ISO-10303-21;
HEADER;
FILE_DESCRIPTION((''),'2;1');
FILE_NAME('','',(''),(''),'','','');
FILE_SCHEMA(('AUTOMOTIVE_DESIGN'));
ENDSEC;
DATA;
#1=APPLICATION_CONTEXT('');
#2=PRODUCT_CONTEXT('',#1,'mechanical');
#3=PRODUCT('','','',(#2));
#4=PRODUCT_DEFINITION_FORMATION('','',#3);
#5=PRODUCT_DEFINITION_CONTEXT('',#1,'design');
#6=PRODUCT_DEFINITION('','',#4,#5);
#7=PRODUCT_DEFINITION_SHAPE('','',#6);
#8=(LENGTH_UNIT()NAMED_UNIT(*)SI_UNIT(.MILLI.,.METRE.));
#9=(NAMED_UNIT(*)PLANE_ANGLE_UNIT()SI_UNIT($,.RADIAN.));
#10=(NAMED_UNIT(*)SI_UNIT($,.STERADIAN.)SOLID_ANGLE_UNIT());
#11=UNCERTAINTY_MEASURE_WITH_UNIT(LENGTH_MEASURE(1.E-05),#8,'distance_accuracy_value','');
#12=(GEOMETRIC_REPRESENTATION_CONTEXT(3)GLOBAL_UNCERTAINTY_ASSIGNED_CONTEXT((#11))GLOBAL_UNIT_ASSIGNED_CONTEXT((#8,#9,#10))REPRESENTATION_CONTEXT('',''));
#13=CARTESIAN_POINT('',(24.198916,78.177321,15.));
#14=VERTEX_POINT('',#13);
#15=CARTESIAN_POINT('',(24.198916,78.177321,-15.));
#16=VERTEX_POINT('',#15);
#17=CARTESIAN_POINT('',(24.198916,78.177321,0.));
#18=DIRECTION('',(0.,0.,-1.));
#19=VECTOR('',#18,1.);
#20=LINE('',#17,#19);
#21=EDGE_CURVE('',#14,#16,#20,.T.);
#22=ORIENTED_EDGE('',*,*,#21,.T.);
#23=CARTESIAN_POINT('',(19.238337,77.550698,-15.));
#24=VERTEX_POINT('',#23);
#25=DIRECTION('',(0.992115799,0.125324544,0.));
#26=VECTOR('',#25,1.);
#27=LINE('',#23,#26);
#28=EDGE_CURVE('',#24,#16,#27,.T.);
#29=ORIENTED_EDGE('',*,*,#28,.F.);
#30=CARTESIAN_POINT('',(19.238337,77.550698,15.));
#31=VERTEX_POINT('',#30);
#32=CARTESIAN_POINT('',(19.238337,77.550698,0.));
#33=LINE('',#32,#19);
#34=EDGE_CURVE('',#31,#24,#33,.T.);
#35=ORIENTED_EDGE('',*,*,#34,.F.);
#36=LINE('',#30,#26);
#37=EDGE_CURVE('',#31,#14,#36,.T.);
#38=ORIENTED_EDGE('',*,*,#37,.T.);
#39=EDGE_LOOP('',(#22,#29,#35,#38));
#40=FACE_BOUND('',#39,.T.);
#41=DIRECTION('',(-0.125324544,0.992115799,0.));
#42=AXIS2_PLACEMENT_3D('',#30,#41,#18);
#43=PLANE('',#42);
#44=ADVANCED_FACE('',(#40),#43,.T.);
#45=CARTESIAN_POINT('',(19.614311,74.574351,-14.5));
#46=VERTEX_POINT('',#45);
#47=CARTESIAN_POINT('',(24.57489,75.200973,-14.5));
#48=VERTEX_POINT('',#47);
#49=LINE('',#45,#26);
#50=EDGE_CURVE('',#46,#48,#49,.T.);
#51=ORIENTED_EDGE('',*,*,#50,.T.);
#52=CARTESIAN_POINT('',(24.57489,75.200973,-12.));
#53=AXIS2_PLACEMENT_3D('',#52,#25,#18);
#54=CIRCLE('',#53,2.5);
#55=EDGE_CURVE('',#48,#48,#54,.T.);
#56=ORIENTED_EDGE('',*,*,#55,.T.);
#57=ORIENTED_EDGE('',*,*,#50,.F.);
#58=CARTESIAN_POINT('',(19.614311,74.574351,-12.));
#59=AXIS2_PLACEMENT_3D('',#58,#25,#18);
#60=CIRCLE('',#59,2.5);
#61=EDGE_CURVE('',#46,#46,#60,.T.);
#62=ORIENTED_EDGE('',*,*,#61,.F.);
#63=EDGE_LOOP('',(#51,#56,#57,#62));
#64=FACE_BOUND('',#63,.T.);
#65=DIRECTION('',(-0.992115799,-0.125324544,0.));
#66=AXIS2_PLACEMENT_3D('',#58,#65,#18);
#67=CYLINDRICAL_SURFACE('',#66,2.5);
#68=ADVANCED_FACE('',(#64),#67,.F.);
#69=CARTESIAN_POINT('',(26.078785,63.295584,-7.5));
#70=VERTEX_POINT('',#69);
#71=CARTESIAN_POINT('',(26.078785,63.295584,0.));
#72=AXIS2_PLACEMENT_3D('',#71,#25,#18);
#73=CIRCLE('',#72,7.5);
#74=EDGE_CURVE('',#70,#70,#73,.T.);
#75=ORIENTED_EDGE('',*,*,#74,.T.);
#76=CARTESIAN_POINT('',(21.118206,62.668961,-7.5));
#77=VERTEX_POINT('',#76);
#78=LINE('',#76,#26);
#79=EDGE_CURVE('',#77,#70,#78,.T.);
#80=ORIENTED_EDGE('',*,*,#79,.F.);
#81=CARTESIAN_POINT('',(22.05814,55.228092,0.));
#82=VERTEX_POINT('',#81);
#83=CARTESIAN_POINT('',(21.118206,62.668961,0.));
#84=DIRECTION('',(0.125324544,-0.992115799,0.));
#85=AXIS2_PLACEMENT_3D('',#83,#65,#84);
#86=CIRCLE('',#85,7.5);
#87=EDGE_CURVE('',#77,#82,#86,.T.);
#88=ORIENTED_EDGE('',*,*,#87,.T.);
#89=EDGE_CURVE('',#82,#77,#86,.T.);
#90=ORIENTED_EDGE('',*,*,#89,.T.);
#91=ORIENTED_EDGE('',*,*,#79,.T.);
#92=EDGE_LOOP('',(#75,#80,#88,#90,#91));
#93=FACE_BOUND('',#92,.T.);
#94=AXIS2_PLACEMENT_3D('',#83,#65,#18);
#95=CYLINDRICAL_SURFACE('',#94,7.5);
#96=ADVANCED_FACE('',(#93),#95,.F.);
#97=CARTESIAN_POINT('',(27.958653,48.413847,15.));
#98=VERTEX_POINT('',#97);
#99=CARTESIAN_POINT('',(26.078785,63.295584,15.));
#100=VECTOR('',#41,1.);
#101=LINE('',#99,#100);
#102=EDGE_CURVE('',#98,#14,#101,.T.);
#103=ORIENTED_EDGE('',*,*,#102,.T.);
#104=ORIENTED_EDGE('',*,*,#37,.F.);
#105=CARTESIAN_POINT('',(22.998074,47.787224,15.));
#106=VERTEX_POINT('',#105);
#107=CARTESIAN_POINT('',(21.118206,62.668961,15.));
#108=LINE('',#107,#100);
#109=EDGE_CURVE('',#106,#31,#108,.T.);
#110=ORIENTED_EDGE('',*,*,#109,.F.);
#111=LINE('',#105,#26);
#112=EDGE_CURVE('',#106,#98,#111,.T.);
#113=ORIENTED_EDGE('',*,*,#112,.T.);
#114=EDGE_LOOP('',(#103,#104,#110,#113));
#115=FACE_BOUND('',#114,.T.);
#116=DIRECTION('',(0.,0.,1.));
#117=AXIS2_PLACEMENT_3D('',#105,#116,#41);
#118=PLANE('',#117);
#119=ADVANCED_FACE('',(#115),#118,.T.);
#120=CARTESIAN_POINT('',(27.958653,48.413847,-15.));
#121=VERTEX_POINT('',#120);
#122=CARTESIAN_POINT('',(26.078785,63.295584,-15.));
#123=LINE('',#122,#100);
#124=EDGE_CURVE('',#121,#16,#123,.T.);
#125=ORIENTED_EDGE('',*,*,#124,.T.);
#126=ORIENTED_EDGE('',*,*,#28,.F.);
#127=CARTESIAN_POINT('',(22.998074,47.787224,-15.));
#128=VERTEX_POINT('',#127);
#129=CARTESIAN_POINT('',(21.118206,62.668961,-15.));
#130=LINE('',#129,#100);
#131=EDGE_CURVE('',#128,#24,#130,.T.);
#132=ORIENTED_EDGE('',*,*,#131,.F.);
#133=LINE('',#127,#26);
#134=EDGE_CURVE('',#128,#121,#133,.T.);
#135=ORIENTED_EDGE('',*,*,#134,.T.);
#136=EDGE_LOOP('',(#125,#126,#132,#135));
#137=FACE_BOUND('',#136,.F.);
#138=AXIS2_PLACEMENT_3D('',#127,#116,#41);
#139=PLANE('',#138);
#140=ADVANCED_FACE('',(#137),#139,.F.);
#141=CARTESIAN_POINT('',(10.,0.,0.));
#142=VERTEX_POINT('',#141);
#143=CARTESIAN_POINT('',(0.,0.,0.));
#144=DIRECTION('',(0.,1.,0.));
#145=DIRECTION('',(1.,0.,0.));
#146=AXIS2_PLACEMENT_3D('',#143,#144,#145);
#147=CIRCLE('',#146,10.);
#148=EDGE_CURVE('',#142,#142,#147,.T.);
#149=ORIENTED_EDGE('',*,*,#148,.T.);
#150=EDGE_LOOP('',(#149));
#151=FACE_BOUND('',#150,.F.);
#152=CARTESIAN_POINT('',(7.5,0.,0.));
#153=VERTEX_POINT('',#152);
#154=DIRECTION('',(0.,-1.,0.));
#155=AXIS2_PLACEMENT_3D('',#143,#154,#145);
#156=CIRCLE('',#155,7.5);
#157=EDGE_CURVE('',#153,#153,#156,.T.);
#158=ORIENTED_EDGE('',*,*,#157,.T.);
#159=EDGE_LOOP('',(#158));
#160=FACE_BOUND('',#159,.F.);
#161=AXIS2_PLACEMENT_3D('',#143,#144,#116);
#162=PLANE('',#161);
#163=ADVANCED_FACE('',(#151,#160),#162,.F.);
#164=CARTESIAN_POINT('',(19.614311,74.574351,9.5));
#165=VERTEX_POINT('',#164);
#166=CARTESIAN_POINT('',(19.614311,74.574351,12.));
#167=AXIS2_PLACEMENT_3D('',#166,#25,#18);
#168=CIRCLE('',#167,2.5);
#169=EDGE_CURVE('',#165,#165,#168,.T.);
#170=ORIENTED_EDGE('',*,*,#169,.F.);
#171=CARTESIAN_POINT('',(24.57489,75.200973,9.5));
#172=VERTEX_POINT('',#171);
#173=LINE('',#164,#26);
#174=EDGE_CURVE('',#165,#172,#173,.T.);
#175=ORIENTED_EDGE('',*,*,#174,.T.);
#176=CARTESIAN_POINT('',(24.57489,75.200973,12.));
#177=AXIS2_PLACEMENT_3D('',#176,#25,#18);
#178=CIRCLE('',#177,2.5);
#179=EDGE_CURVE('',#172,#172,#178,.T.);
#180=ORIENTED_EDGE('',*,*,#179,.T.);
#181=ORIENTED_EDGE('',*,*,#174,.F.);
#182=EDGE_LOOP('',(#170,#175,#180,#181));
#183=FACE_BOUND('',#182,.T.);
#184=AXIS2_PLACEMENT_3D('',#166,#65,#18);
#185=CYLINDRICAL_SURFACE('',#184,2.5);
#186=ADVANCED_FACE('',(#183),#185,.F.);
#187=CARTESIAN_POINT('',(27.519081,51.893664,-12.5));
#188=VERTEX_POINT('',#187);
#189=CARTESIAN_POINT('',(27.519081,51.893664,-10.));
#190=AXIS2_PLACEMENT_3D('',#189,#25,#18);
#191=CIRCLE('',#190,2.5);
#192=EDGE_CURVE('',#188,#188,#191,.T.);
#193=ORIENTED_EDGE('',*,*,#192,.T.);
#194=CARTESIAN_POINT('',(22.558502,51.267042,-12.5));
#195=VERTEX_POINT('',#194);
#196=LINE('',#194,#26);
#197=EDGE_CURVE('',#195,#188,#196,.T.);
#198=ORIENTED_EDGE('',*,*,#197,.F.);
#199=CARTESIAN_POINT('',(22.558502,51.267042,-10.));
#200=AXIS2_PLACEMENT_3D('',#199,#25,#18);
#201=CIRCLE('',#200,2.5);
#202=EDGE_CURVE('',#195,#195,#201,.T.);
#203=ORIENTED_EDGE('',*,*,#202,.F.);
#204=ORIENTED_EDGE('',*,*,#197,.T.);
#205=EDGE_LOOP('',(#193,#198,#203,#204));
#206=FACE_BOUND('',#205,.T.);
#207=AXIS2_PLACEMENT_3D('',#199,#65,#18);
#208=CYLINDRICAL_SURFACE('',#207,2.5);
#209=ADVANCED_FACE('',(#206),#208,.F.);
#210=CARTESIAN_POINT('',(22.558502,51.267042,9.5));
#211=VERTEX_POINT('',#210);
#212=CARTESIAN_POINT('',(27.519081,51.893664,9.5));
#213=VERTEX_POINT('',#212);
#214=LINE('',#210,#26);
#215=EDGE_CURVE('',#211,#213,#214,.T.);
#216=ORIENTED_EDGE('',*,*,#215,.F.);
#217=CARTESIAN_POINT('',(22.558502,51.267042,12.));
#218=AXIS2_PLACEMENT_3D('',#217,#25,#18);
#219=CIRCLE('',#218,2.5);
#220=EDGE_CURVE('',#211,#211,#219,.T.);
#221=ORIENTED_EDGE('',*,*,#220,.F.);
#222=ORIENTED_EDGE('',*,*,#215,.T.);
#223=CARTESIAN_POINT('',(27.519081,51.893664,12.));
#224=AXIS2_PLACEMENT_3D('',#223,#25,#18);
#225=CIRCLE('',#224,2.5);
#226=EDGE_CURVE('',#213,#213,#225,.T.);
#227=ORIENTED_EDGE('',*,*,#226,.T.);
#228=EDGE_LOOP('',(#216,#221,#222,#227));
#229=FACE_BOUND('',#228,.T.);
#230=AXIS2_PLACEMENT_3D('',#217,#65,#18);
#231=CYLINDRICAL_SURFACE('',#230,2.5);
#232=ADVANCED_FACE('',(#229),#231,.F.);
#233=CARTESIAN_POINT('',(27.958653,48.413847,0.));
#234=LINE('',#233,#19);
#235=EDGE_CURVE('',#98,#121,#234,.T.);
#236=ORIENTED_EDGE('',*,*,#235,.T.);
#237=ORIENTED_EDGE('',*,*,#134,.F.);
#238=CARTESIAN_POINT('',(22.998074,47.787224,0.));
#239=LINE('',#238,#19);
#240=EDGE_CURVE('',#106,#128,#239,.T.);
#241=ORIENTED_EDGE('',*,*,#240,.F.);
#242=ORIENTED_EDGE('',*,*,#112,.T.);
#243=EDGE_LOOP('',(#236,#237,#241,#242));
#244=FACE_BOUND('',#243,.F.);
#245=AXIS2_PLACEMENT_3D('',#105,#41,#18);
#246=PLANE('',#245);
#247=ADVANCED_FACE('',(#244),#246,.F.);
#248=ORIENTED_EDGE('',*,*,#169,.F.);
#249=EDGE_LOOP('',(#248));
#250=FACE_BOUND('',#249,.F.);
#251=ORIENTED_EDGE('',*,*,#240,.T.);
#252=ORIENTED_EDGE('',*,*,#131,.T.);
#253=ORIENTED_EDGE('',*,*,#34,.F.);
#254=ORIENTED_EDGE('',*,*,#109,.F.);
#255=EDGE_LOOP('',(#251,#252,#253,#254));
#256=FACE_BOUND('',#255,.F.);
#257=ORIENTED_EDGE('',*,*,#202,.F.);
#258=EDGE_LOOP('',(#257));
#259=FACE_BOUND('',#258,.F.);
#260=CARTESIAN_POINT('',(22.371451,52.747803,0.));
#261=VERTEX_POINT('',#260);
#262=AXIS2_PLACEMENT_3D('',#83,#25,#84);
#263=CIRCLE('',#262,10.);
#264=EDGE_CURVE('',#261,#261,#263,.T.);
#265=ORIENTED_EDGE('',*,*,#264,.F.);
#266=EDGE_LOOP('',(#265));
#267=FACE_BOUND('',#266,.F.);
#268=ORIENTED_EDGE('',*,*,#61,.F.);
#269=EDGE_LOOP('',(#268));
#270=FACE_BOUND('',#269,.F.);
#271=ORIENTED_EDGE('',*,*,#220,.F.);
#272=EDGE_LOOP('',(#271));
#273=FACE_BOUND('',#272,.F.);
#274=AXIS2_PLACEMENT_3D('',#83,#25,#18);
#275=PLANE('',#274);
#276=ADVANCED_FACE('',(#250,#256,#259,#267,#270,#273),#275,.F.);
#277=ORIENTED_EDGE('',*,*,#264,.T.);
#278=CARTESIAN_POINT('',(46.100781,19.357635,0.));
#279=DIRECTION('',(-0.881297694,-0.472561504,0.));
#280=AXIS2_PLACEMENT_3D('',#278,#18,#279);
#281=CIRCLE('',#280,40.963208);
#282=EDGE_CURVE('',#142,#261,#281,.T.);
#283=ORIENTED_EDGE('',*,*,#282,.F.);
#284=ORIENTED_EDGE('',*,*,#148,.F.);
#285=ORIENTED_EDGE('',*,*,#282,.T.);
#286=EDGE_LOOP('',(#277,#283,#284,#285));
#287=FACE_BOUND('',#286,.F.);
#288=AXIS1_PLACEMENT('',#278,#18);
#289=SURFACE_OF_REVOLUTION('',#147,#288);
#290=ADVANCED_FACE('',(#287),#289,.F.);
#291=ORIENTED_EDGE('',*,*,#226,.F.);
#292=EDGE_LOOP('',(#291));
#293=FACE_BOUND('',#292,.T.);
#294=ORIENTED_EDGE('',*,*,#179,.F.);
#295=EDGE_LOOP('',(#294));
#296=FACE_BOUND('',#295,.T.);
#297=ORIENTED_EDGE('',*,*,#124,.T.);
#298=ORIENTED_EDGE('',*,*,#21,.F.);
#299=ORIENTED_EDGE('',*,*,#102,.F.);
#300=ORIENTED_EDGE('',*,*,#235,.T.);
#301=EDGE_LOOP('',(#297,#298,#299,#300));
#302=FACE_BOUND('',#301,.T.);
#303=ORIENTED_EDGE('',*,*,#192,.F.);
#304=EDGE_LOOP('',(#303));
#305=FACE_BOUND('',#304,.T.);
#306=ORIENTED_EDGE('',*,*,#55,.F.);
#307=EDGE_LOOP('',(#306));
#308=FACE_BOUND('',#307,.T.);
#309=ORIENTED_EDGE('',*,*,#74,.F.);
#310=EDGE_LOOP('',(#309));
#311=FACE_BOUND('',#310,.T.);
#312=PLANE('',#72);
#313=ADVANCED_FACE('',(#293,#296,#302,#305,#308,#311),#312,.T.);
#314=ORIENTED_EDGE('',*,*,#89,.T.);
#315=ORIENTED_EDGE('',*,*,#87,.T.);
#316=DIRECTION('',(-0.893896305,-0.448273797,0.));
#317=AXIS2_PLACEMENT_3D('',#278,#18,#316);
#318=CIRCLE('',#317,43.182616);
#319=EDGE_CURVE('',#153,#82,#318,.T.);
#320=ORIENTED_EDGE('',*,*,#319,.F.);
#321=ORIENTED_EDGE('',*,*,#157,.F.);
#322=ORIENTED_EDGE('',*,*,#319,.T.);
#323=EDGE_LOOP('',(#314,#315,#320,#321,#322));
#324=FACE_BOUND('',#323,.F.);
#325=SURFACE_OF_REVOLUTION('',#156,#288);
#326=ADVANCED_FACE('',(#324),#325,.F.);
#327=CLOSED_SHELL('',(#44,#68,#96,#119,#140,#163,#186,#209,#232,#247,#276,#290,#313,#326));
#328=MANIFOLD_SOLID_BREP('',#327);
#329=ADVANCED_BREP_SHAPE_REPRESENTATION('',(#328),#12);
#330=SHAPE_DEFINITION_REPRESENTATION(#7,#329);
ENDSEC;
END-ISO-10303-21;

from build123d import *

# Parameters (mm, degrees)
SKETCH1_R           = 10
SKETCH1_R_2         = 7.5
SKETCH4_W           = 30
SKETCH4_H           = 30
SKETCH4_R           = 2.5
SKETCH4_R_2         = 7.5
BOSS_EXTRUDE3_DEPTH = 5


with BuildPart() as part:
    # Sweep3: sweep along a path in Sketch2
    with BuildLine(Plane.XY) as sweep3_path:
        ThreePointArc((0, 0), (-1.281289086, 35.324459387), (21.11820567, 62.668960981))
    # Sketch1 → Sweep3 (sweep)
    with BuildSketch(Plane(origin=(0, 0, 0), x_dir=(1, 0, 0), z_dir=(0, 1, 0))):
        Circle(SKETCH1_R)
        Circle(SKETCH1_R_2, mode=Mode.SUBTRACT)
    sweep(path=sweep3_path.line)

    # Sketch4 → Boss-Extrude3 (add)
    with BuildSketch(Plane(origin=(28.578554789, 3.610056753, 0), x_dir=(0, 0, -1), z_dir=(0.992115799, 0.125324544, 0))):
        with Locations((0, 59.528236809)):
            Rectangle(SKETCH4_W, SKETCH4_H)
        with Locations((-12, 71.528236809)):
            Circle(SKETCH4_R, mode=Mode.SUBTRACT)
        with Locations((12, 71.528236809)):
            Circle(SKETCH4_R, mode=Mode.SUBTRACT)
        with Locations((10, 48.035708089)):
            Circle(SKETCH4_R, mode=Mode.SUBTRACT)
        with Locations((-12, 48.035708089)):
            Circle(SKETCH4_R, mode=Mode.SUBTRACT)
        with Locations((0, 59.528236809)):
            Circle(SKETCH4_R_2, mode=Mode.SUBTRACT)
    extrude(amount=BOSS_EXTRUDE3_DEPTH)


solid = part.part
